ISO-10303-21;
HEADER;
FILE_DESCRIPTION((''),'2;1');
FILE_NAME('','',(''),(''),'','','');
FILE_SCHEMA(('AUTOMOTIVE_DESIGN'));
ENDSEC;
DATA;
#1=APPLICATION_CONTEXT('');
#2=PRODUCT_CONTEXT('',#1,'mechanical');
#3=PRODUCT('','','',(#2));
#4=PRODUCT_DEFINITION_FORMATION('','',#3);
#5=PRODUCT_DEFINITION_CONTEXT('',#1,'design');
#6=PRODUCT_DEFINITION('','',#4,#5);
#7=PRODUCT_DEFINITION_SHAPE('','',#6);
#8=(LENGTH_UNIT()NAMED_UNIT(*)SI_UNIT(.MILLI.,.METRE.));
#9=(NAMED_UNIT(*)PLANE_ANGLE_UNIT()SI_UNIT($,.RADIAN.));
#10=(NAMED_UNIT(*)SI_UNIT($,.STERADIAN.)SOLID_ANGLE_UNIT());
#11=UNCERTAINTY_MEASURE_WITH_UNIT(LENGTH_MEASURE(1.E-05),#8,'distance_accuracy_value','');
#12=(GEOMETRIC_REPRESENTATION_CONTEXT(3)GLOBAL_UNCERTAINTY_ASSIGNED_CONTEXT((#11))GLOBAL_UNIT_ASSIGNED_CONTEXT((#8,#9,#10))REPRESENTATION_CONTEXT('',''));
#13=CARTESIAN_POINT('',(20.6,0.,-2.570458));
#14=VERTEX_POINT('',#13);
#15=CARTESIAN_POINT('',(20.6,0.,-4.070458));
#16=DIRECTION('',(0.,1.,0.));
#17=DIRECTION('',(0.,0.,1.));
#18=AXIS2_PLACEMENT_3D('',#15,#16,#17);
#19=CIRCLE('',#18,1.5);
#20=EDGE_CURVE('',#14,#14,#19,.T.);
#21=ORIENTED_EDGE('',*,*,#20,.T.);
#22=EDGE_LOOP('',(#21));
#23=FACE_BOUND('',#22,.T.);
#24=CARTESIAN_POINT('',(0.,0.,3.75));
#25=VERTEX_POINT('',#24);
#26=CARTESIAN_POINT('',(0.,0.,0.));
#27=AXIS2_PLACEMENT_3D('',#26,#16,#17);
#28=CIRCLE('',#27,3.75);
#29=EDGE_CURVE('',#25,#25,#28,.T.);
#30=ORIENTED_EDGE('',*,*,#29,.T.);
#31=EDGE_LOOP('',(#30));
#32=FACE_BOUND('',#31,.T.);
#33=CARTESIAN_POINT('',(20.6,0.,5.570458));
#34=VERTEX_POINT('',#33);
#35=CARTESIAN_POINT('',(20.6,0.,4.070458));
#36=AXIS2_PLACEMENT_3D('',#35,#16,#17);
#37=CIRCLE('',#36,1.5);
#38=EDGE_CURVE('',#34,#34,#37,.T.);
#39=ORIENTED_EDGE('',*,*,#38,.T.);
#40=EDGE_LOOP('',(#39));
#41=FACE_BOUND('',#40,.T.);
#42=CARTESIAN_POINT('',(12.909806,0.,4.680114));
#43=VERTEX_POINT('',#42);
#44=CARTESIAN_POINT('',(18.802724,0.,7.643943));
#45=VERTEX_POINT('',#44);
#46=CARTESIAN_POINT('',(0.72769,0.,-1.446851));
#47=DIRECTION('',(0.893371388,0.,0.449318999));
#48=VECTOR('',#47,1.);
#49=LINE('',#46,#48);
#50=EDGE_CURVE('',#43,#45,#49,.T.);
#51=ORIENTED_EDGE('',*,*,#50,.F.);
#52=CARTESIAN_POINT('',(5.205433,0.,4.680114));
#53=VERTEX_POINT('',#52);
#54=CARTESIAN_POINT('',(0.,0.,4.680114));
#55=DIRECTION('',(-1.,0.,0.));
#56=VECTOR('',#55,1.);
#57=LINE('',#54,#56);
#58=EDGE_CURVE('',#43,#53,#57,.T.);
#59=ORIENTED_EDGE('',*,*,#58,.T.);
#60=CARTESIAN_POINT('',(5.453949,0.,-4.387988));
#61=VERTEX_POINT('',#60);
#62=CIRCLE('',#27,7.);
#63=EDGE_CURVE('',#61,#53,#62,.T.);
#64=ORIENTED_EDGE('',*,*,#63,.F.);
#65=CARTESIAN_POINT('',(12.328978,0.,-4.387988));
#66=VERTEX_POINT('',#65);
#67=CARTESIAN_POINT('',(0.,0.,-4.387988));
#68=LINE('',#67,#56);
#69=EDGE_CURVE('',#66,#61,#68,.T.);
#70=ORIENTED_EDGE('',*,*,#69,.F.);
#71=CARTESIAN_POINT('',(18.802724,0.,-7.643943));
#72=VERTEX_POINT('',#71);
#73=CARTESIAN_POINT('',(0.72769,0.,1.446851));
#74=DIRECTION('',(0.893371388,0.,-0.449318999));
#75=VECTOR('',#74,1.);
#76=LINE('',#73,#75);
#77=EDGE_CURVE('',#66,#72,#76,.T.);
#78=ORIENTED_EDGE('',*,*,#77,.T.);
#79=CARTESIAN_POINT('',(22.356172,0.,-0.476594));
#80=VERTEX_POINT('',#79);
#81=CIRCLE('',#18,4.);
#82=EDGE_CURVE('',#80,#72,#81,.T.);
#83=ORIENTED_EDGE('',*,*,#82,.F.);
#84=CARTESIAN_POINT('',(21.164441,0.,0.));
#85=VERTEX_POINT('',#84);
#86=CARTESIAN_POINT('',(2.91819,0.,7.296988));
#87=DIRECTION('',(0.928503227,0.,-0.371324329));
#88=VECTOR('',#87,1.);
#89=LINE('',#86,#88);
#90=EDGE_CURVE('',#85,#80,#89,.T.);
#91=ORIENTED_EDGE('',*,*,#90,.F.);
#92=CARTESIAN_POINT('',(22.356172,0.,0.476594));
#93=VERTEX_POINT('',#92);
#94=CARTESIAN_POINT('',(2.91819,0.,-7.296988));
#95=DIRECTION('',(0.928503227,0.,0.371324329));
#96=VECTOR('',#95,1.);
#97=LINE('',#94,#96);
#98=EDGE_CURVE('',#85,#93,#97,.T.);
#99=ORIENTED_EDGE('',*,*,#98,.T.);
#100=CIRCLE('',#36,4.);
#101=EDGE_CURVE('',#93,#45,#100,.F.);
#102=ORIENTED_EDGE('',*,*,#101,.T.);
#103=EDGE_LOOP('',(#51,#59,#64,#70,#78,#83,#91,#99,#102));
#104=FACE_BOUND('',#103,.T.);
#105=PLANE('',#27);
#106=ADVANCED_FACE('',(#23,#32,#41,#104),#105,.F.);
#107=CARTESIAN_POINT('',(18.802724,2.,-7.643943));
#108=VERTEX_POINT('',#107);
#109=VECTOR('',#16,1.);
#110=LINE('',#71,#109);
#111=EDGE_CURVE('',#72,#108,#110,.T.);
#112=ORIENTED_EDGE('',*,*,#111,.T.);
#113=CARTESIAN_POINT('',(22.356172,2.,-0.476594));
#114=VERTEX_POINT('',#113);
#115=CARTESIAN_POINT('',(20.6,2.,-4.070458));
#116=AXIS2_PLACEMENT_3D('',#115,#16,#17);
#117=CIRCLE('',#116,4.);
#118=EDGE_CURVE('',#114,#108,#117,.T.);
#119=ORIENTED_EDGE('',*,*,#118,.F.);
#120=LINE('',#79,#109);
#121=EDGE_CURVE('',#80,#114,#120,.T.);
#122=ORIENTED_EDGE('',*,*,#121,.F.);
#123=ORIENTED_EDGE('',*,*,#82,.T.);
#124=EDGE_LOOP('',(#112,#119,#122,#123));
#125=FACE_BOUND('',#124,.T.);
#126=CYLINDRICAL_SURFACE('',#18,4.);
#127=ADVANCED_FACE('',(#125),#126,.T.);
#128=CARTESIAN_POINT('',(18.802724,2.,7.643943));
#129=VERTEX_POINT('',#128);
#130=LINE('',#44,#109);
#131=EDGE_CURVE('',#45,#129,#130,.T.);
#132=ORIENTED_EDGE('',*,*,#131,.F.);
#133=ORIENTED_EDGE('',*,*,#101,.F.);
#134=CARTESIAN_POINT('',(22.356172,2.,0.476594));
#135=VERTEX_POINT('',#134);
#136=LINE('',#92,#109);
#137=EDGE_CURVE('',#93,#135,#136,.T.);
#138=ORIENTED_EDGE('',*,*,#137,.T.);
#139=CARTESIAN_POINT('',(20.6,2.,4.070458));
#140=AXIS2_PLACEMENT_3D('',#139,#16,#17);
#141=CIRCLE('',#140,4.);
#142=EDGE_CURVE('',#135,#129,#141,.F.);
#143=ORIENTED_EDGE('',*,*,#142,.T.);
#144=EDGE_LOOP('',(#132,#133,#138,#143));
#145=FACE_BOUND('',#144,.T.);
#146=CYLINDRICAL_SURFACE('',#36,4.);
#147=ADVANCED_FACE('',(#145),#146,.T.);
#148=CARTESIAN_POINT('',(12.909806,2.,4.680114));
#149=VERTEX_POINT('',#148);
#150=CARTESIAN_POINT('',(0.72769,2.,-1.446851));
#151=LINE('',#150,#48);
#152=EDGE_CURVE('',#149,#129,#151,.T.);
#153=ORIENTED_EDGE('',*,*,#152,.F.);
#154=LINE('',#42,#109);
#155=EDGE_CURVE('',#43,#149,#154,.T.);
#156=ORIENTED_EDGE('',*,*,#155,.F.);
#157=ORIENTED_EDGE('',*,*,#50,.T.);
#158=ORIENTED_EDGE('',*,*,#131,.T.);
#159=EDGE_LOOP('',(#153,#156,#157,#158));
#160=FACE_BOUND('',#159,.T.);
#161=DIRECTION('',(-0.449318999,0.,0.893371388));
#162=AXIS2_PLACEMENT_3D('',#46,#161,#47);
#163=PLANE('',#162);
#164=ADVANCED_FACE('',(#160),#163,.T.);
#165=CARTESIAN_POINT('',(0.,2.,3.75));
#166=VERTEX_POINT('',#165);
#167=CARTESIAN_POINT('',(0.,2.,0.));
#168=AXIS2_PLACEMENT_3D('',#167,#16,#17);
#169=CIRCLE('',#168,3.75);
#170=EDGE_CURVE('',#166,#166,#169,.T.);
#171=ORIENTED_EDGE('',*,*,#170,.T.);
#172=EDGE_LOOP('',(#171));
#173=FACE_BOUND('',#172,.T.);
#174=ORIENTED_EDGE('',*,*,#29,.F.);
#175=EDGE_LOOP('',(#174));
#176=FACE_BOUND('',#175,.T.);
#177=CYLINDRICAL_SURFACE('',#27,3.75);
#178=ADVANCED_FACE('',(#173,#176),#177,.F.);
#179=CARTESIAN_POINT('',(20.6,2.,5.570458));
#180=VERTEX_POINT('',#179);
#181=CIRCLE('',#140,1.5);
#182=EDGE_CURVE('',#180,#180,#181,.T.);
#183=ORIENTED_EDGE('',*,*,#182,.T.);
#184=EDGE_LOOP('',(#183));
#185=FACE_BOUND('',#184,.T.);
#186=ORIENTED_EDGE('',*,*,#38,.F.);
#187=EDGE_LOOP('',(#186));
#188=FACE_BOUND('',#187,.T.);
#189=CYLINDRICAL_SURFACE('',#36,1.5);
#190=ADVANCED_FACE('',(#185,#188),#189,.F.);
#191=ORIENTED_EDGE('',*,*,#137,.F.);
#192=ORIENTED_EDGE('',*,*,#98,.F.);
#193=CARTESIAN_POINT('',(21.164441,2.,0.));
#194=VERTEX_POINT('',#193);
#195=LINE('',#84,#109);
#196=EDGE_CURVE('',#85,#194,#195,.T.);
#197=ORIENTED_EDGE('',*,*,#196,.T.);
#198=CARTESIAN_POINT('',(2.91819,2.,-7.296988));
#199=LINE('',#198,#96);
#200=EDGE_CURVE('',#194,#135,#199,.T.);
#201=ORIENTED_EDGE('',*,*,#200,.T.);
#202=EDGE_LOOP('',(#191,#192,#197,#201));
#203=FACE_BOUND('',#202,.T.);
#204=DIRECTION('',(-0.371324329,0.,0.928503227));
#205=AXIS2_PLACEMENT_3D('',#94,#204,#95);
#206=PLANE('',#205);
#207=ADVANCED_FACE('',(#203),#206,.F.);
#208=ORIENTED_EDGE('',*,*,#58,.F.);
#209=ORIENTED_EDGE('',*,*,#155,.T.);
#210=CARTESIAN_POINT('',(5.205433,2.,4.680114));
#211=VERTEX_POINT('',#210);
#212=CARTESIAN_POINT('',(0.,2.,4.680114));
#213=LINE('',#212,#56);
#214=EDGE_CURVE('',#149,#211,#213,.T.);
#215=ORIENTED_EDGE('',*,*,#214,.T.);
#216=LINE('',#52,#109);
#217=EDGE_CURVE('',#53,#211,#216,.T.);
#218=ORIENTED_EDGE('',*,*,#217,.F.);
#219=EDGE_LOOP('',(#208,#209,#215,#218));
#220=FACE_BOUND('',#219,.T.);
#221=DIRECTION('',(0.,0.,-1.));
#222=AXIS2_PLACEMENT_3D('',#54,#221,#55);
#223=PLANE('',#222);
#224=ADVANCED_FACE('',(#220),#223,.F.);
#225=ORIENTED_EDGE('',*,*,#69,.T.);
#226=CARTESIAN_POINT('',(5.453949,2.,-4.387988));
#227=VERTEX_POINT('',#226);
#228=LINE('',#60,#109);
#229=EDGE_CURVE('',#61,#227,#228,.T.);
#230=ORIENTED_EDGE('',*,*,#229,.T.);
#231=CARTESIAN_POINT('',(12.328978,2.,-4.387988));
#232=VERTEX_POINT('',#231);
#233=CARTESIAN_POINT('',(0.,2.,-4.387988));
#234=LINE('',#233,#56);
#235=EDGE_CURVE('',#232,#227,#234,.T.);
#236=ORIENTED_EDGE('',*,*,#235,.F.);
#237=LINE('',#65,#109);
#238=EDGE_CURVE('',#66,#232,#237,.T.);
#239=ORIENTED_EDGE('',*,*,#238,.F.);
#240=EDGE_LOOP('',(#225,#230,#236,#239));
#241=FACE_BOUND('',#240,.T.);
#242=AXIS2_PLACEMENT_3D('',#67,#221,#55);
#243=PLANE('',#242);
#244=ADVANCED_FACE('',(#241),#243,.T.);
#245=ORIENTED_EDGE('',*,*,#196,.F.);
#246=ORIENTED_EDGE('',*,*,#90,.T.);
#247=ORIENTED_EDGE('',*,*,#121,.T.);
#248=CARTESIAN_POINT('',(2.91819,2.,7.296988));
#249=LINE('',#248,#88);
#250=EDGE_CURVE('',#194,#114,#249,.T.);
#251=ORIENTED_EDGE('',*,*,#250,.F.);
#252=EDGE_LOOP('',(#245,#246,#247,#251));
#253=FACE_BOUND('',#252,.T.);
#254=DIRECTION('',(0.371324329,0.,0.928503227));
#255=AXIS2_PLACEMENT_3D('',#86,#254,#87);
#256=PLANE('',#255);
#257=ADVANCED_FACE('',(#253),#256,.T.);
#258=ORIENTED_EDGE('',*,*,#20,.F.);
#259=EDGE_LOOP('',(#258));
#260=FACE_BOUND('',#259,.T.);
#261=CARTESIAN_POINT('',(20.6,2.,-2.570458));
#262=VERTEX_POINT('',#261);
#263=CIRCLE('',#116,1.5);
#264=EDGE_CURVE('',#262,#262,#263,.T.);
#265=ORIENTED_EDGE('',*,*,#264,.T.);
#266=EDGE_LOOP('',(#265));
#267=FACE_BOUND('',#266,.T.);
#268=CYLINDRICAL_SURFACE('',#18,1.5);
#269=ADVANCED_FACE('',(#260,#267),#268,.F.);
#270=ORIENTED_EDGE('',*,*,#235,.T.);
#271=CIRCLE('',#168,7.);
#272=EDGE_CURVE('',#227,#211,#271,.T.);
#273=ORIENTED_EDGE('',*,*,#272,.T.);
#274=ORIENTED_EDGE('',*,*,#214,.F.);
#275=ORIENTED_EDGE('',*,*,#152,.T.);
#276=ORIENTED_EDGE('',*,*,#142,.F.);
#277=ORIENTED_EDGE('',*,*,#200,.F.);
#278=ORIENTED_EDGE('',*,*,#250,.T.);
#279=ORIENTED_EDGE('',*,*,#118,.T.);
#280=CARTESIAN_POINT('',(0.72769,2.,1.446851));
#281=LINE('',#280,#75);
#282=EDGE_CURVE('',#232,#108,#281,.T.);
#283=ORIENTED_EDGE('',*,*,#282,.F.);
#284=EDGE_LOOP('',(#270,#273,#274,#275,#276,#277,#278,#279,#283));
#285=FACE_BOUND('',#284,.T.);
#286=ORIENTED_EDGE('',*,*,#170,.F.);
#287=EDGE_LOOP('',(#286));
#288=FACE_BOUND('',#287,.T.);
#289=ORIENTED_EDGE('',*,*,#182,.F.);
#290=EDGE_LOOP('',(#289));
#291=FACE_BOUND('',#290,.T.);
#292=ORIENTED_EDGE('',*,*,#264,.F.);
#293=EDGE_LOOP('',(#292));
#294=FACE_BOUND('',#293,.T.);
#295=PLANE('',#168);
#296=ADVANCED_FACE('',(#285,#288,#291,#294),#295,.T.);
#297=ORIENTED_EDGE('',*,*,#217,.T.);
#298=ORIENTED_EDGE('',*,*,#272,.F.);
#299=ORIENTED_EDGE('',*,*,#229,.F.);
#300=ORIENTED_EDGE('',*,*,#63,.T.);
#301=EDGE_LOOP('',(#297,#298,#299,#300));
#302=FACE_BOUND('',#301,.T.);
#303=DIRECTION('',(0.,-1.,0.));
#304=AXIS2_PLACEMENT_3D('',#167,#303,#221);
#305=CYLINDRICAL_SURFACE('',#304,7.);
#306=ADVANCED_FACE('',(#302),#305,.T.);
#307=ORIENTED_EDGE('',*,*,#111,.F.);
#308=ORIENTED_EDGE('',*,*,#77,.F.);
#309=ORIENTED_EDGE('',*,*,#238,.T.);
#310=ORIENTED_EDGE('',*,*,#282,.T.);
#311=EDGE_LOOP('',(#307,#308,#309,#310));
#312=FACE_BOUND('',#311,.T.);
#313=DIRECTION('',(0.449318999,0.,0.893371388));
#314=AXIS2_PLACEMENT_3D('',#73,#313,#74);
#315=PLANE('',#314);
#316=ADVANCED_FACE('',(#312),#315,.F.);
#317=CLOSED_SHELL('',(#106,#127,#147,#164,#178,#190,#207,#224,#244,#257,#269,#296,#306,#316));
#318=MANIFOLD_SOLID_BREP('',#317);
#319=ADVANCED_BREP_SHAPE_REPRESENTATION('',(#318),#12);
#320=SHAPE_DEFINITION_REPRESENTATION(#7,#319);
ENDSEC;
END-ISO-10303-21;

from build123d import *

# Parameters (mm, degrees)
SKETCH1_R           = 7
BOSS_EXTRUDE1_DEPTH = 2
SKETCH2_R           = 3.75
CUT_EXTRUDE1_DEPTH  = 11.099504938
BOSS_EXTRUDE2_START = -2
SKETCH3_R           = 1.5
BOSS_EXTRUDE2_DEPTH = 2


with BuildPart() as part:
    # Sketch1 → Boss-Extrude1 (new body)
    with BuildSketch(Plane(origin=(0, 0, 0), x_dir=(1, 0, 0), z_dir=(0, 1, 0))):
        with Locations(Location((0, 0, 0), (0, 0, 270))):
            Circle(SKETCH1_R)
    extrude(amount=BOSS_EXTRUDE1_DEPTH)

    # Sketch2 → Cut-Extrude1 (cut, through all)
    with BuildSketch(Plane(origin=(0, 2, 0), x_dir=(1, 0, 0), z_dir=(0, 1, 0))):
        with Locations(Location((0, 0, 0), (0, 0, 270))):
            Circle(SKETCH2_R)
    extrude(amount=-CUT_EXTRUDE1_DEPTH, mode=Mode.SUBTRACT)

    # Sketch3 → Boss-Extrude2 (add)
    with BuildSketch(Plane(origin=(0, 2, 0), x_dir=(1, 0, 0), z_dir=(0, 1, 0)).offset(BOSS_EXTRUDE2_START)):
        with BuildLine():
            Line((18.802724006, 7.643943352), (12.328977552, 4.387988089))
            Line((12.328977552, 4.387988089), (5.453949077, 4.387988089))
            ThreePointArc((5.453949077, 4.387988089), (6.602183106, 2.326193937), (7, 0))
            ThreePointArc((7, 0), (6.535978508, -2.506189327), (5.205432874, -4.680114165))
            Line((5.205432874, -4.680114165), (12.909805603, -4.680114165))
            Line((12.909805603, -4.680114165), (18.802724006, -7.643943352))
            ThreePointArc((18.802724006, -7.643943352), (24.183733746, -5.847211141), (22.356172256, -0.476593721))
            Line((22.356172256, -0.476593721), (21.164441, 0))
            Line((21.164441, 0), (22.356172256, 0.476593721))
            ThreePointArc((22.356172256, 0.476593721), (24.183733746, 5.847211141), (18.802724006, 7.643943352))
        make_face()
        with Locations(Location((20.6, -4.070457799, 0), (0, 0, 270))):
            Circle(SKETCH3_R, mode=Mode.SUBTRACT)
        with Locations(Location((20.6, 4.070457799, 0), (0, 0, 270))):
            Circle(SKETCH3_R, mode=Mode.SUBTRACT)
    extrude(amount=BOSS_EXTRUDE2_DEPTH)


solid = part.part
